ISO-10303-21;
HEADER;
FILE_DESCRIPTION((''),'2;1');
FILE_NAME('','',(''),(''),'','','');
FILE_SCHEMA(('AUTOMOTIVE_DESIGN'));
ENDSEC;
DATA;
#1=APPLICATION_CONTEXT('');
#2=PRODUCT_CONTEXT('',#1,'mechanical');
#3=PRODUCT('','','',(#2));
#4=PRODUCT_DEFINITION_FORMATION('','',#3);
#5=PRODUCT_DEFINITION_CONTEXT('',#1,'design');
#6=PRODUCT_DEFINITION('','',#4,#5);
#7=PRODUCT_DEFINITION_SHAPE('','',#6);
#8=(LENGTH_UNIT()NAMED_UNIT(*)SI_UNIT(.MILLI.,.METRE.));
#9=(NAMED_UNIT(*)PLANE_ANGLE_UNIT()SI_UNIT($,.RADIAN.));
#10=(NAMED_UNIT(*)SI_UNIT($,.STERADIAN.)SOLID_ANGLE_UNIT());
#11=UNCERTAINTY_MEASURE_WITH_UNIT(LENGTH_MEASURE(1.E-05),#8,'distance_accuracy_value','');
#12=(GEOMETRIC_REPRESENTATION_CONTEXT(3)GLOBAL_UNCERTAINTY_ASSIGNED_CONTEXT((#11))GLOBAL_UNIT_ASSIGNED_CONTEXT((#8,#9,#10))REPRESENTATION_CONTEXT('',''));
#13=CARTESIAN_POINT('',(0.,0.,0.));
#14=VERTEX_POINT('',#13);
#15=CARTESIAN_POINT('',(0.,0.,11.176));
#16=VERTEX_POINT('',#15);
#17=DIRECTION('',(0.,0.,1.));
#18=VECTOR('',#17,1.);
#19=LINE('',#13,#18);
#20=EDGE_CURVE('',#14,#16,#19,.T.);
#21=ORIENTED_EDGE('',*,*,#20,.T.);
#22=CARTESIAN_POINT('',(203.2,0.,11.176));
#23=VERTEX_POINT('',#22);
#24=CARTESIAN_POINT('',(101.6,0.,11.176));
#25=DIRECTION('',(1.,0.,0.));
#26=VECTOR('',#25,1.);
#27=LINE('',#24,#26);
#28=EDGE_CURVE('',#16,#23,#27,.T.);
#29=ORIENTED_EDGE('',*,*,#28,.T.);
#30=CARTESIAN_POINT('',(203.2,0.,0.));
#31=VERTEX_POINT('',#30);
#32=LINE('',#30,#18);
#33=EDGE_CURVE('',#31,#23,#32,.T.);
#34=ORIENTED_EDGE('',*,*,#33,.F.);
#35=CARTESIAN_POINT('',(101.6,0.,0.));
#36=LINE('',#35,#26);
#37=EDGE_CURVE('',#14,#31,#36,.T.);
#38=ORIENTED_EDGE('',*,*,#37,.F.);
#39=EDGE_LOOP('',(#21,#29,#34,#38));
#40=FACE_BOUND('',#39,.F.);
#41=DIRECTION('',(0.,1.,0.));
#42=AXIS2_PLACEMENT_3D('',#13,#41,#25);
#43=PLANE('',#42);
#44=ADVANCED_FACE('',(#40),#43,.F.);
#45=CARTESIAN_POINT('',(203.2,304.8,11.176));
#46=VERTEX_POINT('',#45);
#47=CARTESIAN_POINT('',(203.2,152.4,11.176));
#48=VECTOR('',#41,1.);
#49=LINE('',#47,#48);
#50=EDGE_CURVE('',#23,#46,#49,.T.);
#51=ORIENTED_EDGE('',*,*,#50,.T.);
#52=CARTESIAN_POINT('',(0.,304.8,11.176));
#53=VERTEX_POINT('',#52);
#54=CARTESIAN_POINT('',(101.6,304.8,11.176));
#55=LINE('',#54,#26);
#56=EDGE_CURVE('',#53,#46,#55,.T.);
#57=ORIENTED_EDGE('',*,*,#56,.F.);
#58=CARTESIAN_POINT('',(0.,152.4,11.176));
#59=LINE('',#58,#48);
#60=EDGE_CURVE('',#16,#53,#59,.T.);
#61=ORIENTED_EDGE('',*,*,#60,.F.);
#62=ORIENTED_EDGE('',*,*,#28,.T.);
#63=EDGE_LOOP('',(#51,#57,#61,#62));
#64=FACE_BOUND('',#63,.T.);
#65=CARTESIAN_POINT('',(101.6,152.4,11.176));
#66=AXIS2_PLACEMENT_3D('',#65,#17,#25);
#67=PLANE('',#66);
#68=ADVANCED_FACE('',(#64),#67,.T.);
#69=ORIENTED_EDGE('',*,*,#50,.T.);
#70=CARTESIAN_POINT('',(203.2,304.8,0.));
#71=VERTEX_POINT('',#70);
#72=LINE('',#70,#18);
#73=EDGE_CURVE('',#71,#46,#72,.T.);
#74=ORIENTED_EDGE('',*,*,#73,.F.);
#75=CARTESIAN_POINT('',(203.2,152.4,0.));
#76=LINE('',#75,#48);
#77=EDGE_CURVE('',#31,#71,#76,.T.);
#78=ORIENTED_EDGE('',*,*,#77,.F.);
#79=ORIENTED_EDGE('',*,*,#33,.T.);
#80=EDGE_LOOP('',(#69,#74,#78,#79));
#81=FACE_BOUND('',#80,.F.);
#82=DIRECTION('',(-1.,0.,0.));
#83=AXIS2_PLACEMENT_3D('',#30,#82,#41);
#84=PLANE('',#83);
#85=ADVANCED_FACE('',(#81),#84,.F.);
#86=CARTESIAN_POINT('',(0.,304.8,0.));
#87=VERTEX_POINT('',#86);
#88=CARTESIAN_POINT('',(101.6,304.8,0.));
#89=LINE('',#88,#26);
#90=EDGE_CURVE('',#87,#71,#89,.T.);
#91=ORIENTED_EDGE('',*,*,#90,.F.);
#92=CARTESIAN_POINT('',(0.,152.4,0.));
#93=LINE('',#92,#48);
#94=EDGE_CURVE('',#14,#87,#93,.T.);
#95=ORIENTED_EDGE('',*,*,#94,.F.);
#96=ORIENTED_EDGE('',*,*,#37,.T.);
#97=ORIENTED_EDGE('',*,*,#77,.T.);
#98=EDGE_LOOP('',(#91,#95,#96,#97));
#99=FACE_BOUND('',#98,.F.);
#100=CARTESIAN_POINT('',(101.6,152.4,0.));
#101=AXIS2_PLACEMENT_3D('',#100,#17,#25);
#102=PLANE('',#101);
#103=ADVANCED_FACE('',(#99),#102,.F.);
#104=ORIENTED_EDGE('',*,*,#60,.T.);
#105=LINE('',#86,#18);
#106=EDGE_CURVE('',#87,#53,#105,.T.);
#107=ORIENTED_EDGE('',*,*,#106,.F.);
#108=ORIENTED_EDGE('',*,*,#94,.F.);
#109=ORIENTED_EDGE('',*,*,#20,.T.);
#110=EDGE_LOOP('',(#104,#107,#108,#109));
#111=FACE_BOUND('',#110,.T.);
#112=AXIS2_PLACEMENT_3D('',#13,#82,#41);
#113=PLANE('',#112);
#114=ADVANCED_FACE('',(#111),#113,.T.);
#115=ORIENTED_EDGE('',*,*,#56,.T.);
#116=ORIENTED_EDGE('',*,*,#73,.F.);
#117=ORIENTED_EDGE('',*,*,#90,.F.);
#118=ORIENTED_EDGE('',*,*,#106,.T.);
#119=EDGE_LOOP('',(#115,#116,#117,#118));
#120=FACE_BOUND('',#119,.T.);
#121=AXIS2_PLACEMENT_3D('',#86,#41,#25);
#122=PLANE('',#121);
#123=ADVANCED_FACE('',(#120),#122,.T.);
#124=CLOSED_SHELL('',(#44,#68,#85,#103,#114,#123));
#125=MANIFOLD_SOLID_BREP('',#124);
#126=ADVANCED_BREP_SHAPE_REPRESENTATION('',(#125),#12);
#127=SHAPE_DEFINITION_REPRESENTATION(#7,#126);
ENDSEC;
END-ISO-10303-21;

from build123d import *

# Parameters (mm, degrees)
BOX_W     = 203.2
BOX_H     = 304.8
BOX_DEPTH = 11.176


with BuildPart() as part:
    # Box → Box (new body)
    with BuildSketch(Plane.XY):
        with Locations((101.6, 152.4)):
            Rectangle(BOX_W, BOX_H)
    extrude(amount=BOX_DEPTH)


solid = part.part
